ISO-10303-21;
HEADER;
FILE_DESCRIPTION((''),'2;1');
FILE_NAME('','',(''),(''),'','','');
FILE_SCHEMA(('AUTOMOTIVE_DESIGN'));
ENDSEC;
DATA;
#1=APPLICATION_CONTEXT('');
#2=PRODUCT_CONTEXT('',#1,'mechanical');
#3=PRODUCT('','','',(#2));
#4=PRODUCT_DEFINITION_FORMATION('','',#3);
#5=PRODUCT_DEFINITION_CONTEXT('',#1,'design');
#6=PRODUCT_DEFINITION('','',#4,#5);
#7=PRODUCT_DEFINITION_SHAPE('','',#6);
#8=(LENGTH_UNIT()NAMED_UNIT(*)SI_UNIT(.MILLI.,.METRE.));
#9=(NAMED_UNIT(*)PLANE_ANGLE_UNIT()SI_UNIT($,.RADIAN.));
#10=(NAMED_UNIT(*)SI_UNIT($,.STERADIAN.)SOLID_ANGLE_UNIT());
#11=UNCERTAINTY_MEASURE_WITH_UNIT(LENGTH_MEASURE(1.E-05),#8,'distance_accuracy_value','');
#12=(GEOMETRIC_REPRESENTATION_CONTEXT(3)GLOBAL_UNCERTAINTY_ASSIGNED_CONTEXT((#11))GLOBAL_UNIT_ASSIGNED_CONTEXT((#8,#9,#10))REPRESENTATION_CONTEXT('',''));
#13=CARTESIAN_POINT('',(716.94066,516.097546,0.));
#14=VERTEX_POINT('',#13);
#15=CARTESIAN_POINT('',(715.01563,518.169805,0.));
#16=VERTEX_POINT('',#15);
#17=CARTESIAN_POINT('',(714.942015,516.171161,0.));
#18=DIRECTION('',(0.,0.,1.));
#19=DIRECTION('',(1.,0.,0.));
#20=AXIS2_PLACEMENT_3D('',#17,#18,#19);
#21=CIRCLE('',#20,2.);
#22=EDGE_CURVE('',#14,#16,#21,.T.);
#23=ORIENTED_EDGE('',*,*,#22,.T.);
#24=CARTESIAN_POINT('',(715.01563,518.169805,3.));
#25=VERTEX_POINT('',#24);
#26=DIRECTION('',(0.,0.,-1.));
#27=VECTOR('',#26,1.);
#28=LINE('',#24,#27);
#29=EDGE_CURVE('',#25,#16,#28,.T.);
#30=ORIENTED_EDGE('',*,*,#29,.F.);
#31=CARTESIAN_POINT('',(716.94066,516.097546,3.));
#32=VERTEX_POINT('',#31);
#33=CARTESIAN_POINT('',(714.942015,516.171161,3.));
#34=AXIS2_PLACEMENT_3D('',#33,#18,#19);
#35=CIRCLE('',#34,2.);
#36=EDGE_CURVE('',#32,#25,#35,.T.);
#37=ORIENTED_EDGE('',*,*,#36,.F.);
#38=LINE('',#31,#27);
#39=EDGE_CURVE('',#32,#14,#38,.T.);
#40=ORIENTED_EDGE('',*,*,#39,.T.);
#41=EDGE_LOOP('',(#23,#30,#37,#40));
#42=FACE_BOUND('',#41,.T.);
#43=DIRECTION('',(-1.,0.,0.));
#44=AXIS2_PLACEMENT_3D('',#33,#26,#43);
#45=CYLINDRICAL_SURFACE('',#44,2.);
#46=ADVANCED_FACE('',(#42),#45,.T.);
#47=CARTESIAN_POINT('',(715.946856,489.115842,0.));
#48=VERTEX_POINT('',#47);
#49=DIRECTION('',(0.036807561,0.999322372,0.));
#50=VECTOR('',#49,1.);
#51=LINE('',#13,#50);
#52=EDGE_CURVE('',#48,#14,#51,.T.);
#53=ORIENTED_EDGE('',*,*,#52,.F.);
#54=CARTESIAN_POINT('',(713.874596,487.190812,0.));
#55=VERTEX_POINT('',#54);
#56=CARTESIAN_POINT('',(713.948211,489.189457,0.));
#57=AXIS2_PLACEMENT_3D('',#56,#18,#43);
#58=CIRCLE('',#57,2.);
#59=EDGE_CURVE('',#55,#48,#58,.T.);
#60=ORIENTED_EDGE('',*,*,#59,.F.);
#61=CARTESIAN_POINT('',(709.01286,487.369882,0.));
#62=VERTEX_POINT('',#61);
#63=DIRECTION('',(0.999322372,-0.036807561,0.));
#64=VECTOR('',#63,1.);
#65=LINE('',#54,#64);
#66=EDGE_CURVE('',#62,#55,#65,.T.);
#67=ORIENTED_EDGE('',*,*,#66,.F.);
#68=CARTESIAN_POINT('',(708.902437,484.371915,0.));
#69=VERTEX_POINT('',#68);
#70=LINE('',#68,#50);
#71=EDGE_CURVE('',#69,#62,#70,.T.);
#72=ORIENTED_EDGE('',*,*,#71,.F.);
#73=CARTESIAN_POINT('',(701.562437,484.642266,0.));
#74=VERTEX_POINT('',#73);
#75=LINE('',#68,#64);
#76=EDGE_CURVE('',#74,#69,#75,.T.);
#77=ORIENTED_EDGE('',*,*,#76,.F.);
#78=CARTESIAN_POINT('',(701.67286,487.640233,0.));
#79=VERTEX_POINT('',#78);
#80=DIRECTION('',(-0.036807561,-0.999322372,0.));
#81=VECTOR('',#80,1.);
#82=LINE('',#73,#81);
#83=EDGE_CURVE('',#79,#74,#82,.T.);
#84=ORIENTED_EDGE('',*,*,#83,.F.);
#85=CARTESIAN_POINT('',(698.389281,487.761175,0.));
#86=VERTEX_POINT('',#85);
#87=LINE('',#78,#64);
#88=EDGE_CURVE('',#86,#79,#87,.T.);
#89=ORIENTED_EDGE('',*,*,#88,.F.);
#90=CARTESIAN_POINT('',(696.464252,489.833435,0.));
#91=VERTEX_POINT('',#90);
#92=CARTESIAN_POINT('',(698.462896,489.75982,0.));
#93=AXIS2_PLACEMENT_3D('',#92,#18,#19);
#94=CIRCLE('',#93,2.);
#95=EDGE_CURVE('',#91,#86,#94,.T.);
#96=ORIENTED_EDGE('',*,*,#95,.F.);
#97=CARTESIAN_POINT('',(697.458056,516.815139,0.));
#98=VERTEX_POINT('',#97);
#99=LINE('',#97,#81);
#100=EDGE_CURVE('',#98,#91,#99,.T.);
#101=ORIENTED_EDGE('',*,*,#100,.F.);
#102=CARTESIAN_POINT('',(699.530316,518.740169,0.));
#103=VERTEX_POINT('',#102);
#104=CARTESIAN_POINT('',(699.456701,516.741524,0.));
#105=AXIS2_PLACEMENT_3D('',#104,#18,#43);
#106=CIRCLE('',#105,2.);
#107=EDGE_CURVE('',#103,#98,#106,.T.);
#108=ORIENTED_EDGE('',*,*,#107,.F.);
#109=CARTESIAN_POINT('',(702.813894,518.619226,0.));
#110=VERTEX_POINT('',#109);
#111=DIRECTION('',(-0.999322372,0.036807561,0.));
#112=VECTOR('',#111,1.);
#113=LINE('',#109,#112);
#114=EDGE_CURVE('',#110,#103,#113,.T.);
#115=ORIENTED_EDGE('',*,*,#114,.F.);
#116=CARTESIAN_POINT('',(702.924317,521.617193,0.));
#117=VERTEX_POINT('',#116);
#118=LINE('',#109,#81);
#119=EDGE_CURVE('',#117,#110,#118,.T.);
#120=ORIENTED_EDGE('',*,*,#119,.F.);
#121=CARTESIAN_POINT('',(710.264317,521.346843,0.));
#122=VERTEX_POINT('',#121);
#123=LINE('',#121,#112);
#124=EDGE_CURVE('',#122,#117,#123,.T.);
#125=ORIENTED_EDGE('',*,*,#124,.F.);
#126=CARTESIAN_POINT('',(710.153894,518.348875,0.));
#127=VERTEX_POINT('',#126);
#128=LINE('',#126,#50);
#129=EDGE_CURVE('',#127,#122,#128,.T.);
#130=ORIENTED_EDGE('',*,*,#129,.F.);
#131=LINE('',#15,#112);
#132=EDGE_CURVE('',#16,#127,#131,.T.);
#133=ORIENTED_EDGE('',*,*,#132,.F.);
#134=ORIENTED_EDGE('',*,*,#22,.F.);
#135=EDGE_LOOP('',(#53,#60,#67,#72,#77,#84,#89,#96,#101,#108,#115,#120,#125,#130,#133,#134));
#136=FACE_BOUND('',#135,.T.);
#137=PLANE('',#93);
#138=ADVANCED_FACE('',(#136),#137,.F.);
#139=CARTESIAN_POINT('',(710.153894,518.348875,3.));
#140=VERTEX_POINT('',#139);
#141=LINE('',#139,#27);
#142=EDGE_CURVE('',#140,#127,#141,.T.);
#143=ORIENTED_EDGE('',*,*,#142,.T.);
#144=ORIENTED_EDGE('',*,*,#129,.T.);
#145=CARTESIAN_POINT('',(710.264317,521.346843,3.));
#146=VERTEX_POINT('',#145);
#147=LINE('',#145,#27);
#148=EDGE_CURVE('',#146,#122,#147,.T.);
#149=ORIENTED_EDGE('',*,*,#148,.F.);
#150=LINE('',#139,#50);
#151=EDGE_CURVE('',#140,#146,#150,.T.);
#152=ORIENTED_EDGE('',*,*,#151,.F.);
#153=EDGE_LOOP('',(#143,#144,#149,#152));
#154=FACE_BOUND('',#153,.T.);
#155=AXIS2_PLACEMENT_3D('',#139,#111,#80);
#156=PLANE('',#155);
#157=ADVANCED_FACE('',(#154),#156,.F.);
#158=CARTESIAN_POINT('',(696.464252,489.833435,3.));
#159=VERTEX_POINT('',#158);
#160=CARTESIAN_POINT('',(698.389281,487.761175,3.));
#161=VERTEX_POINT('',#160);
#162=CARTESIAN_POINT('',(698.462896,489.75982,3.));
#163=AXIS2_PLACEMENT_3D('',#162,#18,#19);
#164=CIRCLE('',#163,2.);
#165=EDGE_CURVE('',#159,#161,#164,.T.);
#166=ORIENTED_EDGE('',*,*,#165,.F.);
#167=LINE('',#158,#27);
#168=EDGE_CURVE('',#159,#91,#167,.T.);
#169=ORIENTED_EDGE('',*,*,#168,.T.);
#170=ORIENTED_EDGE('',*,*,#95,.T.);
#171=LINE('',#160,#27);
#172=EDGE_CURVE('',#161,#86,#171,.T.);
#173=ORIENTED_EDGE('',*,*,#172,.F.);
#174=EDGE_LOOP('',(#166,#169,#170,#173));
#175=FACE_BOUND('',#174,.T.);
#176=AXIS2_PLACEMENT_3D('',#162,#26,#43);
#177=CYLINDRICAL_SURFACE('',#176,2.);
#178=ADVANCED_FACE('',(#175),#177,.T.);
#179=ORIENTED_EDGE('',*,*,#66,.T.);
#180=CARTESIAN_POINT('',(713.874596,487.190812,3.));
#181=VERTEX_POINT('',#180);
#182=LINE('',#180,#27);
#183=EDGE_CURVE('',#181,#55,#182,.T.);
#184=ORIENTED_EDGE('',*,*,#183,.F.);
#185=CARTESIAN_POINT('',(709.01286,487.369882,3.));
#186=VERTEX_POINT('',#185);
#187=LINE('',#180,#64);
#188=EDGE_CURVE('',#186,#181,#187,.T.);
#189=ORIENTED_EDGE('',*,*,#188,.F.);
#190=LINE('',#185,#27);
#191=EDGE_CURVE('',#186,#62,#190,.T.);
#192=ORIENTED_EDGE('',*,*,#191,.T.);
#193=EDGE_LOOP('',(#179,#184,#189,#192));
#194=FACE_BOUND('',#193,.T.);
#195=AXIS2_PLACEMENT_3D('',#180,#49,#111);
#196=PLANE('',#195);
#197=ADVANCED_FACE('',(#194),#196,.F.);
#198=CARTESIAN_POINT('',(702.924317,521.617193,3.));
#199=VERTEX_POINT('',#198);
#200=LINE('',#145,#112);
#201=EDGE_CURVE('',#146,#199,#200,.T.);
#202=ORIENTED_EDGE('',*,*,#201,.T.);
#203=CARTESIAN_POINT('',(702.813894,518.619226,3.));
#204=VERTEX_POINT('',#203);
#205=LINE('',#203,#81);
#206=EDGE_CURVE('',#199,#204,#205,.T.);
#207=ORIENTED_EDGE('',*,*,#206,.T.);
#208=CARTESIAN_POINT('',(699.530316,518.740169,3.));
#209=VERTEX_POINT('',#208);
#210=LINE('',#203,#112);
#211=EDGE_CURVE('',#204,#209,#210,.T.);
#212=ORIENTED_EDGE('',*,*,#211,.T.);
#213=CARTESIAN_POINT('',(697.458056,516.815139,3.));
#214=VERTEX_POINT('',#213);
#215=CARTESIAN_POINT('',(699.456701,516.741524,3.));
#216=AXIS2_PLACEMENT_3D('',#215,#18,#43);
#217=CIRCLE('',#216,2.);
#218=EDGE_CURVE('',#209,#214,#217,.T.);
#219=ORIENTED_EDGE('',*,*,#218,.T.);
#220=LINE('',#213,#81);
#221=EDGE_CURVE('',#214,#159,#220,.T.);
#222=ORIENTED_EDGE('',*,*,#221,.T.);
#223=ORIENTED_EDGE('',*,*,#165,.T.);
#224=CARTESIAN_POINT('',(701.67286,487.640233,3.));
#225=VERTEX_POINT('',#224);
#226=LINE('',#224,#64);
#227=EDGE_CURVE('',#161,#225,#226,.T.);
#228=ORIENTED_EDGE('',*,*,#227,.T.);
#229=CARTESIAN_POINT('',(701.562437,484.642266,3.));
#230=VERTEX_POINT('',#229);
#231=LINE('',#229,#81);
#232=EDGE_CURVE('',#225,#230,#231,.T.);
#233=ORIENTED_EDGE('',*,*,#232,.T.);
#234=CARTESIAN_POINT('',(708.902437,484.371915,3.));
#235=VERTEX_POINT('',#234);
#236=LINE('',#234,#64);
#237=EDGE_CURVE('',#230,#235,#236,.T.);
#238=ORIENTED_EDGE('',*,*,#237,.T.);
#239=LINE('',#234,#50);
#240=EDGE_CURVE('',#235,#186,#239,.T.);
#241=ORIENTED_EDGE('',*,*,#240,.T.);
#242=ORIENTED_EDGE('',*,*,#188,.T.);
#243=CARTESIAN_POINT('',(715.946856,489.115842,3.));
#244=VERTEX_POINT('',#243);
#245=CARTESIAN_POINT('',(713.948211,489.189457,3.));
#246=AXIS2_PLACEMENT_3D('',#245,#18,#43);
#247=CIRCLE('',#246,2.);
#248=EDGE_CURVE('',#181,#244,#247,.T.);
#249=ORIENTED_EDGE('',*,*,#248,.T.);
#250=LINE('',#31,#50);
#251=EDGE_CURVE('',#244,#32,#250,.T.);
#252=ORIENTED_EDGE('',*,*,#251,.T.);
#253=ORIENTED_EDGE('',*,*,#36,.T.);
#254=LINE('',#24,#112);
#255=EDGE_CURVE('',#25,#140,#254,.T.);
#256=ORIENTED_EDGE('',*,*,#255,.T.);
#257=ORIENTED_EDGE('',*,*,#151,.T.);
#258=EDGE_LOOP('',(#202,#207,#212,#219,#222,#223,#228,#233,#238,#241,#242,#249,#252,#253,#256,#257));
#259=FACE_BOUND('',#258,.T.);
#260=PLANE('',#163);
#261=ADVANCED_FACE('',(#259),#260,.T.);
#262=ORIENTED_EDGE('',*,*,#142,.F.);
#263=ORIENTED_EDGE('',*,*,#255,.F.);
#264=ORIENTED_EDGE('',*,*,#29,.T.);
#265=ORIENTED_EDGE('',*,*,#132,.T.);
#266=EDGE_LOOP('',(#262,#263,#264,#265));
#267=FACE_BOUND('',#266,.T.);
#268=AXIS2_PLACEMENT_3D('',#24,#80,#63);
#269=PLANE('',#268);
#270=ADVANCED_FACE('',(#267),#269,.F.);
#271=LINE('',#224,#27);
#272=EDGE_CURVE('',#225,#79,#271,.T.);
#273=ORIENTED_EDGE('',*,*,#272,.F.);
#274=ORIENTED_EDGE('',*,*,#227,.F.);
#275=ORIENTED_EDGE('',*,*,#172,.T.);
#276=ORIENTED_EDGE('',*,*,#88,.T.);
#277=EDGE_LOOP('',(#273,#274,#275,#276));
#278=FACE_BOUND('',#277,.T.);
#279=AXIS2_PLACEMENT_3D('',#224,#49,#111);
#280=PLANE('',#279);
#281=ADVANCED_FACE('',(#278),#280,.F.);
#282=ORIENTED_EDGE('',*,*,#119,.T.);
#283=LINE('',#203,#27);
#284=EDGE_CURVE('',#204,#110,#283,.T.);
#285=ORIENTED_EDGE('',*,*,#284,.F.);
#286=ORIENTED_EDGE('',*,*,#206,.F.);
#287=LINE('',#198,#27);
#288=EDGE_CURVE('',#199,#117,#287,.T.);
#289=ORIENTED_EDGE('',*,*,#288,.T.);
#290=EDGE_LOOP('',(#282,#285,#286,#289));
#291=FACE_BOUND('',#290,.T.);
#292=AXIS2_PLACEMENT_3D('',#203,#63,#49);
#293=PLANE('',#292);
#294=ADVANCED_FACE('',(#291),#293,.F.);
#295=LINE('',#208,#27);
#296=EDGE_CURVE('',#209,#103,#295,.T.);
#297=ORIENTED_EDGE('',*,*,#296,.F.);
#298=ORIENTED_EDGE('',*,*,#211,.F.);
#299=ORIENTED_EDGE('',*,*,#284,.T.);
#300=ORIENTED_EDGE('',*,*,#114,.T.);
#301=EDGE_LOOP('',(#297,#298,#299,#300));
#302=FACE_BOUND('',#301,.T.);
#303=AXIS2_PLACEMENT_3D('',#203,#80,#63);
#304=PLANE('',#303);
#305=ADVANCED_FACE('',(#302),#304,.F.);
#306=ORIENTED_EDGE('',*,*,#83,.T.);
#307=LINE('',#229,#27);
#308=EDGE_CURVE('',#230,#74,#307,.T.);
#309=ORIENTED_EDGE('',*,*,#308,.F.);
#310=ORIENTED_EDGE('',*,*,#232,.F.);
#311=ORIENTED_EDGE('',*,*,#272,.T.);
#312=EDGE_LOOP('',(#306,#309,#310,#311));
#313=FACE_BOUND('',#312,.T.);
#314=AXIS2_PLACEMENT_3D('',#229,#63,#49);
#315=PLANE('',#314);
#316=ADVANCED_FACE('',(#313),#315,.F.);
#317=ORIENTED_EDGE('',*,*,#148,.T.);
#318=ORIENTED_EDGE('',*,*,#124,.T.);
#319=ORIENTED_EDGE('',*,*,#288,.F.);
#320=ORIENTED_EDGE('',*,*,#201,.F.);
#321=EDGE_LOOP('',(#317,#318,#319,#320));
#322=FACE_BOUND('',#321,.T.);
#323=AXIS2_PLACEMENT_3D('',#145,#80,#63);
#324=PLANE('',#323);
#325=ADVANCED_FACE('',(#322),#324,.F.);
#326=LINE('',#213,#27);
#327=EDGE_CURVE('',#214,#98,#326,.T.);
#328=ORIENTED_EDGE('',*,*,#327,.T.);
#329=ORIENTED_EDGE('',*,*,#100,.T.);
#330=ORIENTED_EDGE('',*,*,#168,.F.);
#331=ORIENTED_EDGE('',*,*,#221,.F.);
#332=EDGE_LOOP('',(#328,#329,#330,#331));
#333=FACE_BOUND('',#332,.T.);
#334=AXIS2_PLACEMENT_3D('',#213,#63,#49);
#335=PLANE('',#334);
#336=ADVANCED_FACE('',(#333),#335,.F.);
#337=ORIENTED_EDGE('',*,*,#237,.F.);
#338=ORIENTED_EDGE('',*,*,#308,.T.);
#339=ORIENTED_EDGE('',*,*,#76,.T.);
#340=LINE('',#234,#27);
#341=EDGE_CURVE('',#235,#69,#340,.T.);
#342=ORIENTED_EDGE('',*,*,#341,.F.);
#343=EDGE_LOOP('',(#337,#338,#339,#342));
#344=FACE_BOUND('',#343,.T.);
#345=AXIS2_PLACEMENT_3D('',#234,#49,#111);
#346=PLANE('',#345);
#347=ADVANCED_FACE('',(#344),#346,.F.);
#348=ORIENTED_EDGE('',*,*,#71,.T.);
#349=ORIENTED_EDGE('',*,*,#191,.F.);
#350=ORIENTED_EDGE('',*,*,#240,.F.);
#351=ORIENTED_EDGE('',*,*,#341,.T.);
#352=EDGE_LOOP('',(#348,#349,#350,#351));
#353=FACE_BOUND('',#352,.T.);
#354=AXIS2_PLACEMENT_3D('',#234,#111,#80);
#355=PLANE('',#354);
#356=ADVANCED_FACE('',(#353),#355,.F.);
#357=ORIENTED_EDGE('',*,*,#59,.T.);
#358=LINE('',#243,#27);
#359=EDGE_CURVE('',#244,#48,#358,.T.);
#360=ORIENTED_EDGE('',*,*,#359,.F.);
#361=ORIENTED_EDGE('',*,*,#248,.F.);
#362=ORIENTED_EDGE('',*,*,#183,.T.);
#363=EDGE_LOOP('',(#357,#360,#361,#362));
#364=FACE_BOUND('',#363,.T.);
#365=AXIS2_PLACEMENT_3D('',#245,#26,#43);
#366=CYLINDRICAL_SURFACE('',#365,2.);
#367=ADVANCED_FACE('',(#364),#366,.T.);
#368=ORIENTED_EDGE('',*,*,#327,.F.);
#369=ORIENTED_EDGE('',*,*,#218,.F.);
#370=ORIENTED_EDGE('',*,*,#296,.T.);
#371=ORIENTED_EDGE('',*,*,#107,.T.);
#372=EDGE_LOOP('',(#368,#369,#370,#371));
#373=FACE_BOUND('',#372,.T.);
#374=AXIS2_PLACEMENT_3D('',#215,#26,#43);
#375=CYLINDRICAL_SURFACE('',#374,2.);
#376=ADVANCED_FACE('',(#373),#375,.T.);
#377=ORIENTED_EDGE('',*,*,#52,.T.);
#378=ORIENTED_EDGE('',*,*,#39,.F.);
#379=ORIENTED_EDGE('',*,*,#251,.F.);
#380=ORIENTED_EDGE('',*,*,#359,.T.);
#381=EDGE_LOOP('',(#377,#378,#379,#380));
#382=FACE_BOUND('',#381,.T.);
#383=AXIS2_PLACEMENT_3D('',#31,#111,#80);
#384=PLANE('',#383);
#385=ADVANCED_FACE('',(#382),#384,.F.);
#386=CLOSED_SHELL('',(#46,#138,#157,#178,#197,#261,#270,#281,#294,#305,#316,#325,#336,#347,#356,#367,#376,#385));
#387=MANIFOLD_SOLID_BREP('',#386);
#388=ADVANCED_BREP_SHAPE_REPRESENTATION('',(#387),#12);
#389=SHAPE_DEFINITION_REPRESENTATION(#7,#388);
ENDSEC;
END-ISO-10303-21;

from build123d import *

# Parameters (mm, degrees)
BASE_EXTRUDE_DEPTH = 3


with BuildPart() as part:
    # Sketch1 → Base-Extrude (new body)
    with BuildSketch(Plane.XY):
        with BuildLine():
            Line((701.562436995, 484.642265501), (701.672859679, 487.640232618))
            Line((701.672859679, 487.640232618), (698.38928136, 487.761175083))
            ThreePointArc((698.38928136, 487.761175083), (696.997587478, 488.398618328), (696.464251738, 489.83343495))
            Line((696.464251738, 489.83343495), (697.458055899, 516.815138997))
            ThreePointArc((697.458055899, 516.815138997), (698.095499144, 518.206832879), (699.530315766, 518.740168618))
            Line((699.530315766, 518.740168618), (702.813894085, 518.619226153))
            Line((702.813894085, 518.619226153), (702.92431677, 521.61719327))
            Line((702.92431677, 521.61719327), (710.26431677, 521.346842571))
            Line((710.26431677, 521.346842571), (710.153894085, 518.348875455))
            Line((710.153894085, 518.348875455), (715.015630112, 518.169805464))
            ThreePointArc((715.015630112, 518.169805464), (716.407323993, 517.532362219), (716.940659733, 516.097545597))
            Line((716.940659733, 516.097545597), (715.946855573, 489.11584155))
            ThreePointArc((715.946855573, 489.11584155), (715.309412328, 487.724147668), (713.874595706, 487.190811929))
            Line((713.874595706, 487.190811929), (709.012859679, 487.369881919))
            Line((709.012859679, 487.369881919), (708.902436995, 484.371914803))
            Line((708.902436995, 484.371914803), (701.562436995, 484.642265501))
        make_face()
    extrude(amount=BASE_EXTRUDE_DEPTH)


solid = part.part
